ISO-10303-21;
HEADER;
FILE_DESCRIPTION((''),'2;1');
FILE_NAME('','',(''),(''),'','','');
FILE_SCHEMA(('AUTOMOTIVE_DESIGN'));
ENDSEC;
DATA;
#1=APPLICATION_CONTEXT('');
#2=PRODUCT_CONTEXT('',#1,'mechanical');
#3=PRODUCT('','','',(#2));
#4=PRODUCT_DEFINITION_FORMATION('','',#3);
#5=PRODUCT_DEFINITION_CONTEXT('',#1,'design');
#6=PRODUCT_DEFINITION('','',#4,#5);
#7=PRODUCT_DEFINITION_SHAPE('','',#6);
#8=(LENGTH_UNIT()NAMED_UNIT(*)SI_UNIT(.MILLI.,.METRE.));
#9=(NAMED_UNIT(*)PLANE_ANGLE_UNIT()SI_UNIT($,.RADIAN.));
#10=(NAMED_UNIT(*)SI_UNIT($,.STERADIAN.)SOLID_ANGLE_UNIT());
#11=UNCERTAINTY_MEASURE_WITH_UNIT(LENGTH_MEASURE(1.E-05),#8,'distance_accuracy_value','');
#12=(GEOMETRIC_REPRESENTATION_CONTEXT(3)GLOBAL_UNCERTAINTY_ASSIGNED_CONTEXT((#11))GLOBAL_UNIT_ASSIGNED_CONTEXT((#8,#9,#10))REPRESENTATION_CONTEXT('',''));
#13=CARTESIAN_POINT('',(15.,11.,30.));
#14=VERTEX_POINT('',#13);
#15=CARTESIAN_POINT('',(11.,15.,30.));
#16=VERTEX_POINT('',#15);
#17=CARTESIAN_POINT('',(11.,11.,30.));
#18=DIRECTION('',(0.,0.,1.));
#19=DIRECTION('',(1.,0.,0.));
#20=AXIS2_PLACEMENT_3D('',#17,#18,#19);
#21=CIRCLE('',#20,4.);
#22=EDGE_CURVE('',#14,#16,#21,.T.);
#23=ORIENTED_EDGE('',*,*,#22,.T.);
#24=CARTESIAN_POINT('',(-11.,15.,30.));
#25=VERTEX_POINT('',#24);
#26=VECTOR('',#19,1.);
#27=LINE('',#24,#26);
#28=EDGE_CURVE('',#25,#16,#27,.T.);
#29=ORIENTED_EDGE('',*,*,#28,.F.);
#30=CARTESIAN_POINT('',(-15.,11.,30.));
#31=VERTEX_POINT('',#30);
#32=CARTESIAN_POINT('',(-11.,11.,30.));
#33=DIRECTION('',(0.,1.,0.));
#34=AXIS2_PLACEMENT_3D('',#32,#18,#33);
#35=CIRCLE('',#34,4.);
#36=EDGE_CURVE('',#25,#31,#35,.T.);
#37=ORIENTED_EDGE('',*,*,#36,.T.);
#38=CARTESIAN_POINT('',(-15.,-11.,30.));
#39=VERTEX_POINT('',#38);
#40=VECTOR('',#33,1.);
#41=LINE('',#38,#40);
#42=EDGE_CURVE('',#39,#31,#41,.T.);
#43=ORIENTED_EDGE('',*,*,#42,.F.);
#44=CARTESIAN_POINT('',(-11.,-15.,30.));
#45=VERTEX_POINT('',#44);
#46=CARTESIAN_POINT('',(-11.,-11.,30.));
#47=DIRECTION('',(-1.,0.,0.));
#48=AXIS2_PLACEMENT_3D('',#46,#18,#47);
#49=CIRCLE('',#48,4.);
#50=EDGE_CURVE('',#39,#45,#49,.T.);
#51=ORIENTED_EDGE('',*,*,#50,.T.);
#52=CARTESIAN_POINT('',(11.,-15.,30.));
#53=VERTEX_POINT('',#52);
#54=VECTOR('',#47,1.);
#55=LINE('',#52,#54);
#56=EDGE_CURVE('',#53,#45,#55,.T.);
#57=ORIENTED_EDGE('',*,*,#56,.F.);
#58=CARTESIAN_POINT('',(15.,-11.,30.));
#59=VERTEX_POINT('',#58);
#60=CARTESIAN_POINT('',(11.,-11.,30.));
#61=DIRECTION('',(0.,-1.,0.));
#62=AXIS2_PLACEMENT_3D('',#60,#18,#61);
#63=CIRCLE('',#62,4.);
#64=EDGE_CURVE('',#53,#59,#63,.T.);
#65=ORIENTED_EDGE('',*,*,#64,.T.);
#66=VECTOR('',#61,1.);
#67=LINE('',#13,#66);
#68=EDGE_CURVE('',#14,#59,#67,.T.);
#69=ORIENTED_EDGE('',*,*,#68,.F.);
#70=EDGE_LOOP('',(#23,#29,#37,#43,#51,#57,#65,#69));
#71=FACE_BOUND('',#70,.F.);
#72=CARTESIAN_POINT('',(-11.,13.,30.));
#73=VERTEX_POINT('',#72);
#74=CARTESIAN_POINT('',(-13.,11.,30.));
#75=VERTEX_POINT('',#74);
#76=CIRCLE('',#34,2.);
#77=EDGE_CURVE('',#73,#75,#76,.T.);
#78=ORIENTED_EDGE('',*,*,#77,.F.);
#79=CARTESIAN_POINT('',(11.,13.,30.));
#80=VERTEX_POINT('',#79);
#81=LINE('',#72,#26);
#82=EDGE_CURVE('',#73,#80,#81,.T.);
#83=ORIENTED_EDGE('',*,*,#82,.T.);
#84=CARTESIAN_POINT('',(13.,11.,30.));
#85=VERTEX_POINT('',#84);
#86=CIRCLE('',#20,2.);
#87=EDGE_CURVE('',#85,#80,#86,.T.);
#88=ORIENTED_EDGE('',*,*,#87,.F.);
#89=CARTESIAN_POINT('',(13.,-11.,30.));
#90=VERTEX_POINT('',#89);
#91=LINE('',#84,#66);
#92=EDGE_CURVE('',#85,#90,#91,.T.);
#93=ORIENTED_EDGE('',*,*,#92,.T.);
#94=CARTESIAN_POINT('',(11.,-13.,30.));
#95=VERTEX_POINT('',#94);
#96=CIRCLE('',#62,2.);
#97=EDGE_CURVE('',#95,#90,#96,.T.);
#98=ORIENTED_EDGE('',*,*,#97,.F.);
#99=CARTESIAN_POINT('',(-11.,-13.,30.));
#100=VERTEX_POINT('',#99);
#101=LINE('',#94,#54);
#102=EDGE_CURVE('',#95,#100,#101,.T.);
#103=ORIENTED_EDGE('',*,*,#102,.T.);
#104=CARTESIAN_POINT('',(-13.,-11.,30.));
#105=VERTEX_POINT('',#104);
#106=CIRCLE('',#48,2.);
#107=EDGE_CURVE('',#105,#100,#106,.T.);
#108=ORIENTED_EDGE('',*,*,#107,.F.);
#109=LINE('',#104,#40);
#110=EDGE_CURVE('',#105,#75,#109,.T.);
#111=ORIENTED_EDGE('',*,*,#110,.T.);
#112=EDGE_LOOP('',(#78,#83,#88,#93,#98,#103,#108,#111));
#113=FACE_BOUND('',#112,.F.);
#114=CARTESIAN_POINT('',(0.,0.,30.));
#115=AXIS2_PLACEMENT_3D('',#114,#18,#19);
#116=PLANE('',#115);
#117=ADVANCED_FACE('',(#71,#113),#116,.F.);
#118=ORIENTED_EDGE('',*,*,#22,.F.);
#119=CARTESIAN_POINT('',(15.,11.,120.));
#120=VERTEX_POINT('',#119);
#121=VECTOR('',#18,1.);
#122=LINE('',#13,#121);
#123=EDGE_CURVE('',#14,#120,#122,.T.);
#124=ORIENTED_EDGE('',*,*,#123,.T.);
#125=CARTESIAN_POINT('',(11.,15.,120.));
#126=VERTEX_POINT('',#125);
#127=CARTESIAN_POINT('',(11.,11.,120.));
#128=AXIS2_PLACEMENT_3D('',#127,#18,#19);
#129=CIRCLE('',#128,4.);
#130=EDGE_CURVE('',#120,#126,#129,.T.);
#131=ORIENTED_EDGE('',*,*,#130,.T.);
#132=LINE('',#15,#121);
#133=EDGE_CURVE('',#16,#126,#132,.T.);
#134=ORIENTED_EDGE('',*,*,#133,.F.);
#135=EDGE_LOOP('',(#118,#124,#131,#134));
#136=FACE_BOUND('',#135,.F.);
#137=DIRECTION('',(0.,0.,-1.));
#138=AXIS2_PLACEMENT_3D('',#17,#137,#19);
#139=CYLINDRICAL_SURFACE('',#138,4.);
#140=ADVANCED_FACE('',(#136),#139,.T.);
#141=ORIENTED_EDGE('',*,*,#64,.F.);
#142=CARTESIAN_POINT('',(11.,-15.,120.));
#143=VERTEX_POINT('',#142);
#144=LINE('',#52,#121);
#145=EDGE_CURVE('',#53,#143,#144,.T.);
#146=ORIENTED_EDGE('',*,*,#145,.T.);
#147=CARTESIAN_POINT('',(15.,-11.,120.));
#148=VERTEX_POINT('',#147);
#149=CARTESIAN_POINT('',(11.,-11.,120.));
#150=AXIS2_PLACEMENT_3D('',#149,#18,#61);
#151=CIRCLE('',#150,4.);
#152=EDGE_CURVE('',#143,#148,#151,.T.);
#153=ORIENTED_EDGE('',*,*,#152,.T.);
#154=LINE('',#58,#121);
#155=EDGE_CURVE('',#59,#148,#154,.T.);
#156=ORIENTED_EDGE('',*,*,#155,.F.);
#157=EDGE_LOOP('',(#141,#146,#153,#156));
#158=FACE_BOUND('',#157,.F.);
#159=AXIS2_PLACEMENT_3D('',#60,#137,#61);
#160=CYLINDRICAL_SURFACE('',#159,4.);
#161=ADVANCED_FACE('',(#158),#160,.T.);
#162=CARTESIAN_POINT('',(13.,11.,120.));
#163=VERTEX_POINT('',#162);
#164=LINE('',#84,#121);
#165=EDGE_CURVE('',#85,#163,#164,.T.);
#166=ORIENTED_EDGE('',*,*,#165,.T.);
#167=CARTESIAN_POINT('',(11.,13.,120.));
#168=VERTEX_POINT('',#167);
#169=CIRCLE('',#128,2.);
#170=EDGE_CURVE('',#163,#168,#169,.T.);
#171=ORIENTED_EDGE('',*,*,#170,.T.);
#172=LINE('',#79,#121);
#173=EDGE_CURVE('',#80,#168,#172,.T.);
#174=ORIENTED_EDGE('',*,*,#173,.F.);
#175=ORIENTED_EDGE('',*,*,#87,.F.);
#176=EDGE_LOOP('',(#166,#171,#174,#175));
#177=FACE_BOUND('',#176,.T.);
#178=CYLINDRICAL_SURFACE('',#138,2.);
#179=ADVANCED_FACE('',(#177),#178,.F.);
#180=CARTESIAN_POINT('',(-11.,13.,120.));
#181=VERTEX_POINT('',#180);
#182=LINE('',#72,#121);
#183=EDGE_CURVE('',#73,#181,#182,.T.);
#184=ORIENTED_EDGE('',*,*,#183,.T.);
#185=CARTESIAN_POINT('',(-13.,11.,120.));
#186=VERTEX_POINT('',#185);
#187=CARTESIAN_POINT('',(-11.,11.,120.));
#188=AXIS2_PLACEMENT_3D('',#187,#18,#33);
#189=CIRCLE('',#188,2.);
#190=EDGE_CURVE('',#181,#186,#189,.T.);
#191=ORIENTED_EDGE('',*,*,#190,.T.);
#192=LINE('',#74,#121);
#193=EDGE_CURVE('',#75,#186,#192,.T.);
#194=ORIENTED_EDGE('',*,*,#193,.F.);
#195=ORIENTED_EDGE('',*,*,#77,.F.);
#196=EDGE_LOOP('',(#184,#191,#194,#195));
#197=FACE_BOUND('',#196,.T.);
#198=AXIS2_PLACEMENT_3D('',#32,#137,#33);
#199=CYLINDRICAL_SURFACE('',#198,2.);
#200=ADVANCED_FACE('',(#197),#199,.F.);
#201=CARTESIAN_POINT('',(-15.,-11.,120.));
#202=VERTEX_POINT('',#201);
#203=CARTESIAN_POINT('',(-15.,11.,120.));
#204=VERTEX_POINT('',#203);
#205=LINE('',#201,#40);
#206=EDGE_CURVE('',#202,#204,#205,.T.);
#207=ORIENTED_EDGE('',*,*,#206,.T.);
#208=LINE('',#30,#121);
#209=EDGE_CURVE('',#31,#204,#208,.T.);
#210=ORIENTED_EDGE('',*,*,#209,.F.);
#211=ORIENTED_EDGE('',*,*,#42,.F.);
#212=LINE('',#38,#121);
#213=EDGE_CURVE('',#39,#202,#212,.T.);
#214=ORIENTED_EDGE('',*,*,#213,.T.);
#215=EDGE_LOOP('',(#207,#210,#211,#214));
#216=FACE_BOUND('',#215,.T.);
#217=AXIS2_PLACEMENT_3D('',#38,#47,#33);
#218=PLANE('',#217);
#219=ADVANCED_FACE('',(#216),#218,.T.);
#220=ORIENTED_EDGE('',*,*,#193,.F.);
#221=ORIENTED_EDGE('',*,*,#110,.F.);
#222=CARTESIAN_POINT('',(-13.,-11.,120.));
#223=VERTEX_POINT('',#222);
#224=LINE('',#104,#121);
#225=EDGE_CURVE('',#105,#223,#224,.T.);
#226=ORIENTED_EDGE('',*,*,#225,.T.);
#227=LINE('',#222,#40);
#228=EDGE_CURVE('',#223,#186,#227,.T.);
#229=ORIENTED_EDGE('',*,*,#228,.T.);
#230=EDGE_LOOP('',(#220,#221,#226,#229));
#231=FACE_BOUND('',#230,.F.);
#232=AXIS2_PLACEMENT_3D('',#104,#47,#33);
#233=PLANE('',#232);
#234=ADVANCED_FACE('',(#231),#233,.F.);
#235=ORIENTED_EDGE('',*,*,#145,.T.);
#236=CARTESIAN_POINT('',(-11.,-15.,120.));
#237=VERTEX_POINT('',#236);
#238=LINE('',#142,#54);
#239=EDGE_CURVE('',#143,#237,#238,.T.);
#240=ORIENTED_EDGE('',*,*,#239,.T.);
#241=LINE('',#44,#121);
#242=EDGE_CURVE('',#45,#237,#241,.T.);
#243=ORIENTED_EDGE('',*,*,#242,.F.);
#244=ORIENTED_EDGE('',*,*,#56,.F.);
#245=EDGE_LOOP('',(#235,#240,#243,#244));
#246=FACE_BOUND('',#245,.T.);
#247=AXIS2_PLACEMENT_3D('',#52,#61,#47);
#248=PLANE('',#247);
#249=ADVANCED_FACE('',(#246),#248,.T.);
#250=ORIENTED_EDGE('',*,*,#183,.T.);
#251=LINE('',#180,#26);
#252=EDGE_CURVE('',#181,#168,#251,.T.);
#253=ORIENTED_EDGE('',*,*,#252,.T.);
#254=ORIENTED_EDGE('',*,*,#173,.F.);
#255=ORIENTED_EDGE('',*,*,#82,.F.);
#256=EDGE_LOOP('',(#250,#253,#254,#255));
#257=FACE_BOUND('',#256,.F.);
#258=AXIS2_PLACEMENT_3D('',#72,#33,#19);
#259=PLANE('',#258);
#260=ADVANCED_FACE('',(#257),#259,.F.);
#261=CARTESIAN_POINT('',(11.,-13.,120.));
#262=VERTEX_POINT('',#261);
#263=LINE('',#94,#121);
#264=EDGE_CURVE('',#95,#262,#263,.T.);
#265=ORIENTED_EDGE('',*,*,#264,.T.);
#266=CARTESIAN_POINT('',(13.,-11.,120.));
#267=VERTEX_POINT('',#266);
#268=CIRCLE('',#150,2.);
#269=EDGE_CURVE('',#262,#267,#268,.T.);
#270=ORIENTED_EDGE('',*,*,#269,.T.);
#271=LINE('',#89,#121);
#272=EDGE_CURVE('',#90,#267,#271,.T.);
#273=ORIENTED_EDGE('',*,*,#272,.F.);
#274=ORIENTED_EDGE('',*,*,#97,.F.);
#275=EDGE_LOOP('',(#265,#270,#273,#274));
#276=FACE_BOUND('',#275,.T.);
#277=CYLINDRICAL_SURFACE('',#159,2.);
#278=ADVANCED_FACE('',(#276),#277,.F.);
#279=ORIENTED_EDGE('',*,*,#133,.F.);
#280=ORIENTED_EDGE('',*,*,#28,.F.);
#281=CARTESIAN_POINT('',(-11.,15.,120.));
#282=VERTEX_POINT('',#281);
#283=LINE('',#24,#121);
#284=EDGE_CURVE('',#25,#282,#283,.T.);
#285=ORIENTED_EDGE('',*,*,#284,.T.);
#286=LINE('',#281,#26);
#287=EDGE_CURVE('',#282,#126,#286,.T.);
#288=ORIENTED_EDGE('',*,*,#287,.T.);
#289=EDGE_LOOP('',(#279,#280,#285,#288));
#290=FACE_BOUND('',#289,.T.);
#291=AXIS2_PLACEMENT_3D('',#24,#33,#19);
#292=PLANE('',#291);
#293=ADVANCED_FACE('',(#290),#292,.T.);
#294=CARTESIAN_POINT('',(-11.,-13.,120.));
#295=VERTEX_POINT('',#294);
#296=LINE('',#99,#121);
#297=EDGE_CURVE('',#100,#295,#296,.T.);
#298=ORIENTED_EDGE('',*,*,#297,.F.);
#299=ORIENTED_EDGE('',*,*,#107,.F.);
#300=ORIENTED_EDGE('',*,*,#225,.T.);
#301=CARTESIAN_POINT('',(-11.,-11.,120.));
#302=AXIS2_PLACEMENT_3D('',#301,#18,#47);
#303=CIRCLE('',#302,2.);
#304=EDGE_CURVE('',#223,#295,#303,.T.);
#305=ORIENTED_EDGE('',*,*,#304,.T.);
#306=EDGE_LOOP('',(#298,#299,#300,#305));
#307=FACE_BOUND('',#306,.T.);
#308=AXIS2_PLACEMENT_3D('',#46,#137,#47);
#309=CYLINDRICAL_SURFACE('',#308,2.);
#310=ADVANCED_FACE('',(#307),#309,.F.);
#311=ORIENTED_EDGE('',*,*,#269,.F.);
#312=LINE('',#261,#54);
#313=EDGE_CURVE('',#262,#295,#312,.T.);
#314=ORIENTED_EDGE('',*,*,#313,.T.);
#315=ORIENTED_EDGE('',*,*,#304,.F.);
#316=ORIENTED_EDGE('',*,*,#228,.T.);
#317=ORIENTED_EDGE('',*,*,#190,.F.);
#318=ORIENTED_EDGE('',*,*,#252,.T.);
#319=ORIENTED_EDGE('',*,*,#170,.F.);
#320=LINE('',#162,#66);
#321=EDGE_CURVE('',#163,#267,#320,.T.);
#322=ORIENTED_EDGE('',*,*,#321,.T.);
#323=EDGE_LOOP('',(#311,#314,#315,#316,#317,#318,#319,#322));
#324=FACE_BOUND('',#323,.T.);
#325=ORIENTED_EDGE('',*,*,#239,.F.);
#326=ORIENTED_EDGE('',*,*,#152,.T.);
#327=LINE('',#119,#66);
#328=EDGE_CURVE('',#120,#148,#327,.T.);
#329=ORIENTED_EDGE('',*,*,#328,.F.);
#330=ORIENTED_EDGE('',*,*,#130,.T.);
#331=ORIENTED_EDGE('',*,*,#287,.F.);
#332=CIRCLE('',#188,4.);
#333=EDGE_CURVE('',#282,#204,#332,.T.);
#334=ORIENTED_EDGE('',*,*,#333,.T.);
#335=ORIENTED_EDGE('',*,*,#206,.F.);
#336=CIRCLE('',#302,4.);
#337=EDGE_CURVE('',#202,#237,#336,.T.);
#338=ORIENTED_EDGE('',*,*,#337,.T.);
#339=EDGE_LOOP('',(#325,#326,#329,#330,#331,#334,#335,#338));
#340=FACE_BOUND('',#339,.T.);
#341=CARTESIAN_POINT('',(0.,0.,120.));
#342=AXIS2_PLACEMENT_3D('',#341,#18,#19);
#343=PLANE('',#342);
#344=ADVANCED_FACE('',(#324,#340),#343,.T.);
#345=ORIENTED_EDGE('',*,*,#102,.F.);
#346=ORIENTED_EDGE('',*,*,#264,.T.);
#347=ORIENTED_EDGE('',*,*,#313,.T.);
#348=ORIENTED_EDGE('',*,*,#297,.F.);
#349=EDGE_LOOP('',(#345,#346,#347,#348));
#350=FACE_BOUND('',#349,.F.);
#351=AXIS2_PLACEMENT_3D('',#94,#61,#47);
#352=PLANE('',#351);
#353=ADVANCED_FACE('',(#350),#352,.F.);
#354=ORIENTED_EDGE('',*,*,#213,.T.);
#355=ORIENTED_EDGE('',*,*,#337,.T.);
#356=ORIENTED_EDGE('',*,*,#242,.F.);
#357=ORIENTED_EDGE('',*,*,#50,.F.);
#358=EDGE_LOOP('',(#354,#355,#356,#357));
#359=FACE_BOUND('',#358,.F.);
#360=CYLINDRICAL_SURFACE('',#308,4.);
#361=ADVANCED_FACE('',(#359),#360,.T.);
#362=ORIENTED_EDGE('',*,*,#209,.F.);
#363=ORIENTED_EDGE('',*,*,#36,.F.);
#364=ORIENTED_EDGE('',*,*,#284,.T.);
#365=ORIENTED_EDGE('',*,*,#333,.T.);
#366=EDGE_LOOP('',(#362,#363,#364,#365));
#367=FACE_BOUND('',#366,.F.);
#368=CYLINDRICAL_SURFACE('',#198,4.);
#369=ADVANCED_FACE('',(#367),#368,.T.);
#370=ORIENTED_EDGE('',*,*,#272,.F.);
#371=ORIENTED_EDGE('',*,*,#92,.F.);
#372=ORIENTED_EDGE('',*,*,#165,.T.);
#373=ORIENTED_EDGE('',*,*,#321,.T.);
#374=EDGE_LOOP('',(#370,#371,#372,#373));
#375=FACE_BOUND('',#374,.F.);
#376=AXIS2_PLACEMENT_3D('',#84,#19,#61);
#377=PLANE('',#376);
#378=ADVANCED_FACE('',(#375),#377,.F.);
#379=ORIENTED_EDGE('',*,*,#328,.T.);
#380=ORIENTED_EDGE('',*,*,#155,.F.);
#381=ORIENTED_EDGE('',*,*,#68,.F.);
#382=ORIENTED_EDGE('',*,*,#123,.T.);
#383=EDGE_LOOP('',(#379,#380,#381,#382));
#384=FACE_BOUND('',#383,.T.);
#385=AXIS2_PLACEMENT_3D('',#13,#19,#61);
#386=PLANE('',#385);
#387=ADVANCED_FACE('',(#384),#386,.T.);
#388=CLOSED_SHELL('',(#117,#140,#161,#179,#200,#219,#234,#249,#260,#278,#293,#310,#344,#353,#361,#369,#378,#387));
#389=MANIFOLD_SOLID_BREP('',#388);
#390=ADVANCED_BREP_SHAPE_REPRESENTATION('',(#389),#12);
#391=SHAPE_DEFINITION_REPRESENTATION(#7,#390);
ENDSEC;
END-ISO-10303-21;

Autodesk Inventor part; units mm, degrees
ref_plane "Plano inicial" through (0, 0, 30) normal (0, 0, 1) x (1, 0, 0)
ref_plane "Plano final" through (0, 0, 120) normal (0, 0, 1) x (1, 0, 0)
sketch "Esboço" plane through (0, 0, 0) normal (0, 0, 1) x (1, 0, 0)
  line L0 (-15, -11) -> (-15, 11)
  line L1 (-11, 15) -> (11, 15)
  line L2 (15, 11) -> (15, -11)
  line L3 (11, -15) -> (-11, -15)
  arc A0 (-15, -11) -> (-11, -15) centre (-11, -11) ccw
  arc A1 (15, 11) -> (11, 15) centre (11, 11) ccw
  arc A2 (-11, 15) -> (-15, 11) centre (-11, 11) ccw
  arc A3 (11, -15) -> (15, -11) centre (11, -11) ccw
  arc A4 (-11, 13) -> (-13, 11) centre (-11, 11) ccw
  line L4 (-11, 13) -> (11, 13)
  arc A5 (13, 11) -> (11, 13) centre (11, 11) ccw
  line L5 (13, 11) -> (13, -11)
  arc A6 (11, -13) -> (13, -11) centre (11, -11) ccw
  line L6 (11, -13) -> (-11, -13)
  arc A7 (-13, -11) -> (-11, -13) centre (-11, -11) ccw
  line L7 (-13, -11) -> (-13, 11)
  line L8 (0, 22.1598) -> (0, -22.1598) construction
  line L9 (-22.1598, 0) -> (22.1598, 0) construction
  dimension "d7" = 4
  dimension "d9" = 30
  dimension "d11" = 30
  dimension "d12" = 2
  dimension "d15" = 15
  dimension "d16" = 15
extrude "Corpo" add sketch "Esboço" along normal up to surface (90 mm away) from surface at 30
sketch "Sketch3" plane through (0, 0, 0) normal (0, 0, 1) x (1, 0, 0)
  line L0 (0, 0) -> (10, 0)
ref_plane "Work Plane3" through (0, 0, 0) normal (0, -1, 0) x (1, 0, 0)
sketch "Sketch4" plane through (0, 0, 0) normal (0, -1, 0) x (1, 0, 0)
  line L0 (-2, 30) -> (12, 30)
  line L1 (-2, 120) -> (12, 120)
  dimension "d18" = 90
ref_plane "Plano de trabalho4" through (0, 435, 120) normal (0, 0, 1) x (1, 0, 0)
split "Dividir1" plane through (0, 435, 120) removes the side toward (0, 0, 1)
ref_plane "Plano de trabalho5" through (0, 435, 30) normal (0, 0, -1) x (-1, 0, 0)
split "Dividir2" plane through (0, 435, 30) removes the side toward (0, 0, -1)
equation "\"d7\" = G_IR"
equation "\"d9\" = G_W"
equation "\"d11\" = G_H"
equation "\"d12\" = G_T"
equation "\"d15\" = 0.5 * d9"
equation "\"d16\" = 0.5 * d11"
equation "\"d3\" = G_L"
equation "\"G_W\" = 30"
equation "\"G_H\" = 30"
equation "\"G_T\" = 2"
equation "\"G_IR\" = 4"
equation "\"G_L\" = d18"
properties part number "ISO 10799-2 - 30x30x2 - 90" material "Aço, suave"
